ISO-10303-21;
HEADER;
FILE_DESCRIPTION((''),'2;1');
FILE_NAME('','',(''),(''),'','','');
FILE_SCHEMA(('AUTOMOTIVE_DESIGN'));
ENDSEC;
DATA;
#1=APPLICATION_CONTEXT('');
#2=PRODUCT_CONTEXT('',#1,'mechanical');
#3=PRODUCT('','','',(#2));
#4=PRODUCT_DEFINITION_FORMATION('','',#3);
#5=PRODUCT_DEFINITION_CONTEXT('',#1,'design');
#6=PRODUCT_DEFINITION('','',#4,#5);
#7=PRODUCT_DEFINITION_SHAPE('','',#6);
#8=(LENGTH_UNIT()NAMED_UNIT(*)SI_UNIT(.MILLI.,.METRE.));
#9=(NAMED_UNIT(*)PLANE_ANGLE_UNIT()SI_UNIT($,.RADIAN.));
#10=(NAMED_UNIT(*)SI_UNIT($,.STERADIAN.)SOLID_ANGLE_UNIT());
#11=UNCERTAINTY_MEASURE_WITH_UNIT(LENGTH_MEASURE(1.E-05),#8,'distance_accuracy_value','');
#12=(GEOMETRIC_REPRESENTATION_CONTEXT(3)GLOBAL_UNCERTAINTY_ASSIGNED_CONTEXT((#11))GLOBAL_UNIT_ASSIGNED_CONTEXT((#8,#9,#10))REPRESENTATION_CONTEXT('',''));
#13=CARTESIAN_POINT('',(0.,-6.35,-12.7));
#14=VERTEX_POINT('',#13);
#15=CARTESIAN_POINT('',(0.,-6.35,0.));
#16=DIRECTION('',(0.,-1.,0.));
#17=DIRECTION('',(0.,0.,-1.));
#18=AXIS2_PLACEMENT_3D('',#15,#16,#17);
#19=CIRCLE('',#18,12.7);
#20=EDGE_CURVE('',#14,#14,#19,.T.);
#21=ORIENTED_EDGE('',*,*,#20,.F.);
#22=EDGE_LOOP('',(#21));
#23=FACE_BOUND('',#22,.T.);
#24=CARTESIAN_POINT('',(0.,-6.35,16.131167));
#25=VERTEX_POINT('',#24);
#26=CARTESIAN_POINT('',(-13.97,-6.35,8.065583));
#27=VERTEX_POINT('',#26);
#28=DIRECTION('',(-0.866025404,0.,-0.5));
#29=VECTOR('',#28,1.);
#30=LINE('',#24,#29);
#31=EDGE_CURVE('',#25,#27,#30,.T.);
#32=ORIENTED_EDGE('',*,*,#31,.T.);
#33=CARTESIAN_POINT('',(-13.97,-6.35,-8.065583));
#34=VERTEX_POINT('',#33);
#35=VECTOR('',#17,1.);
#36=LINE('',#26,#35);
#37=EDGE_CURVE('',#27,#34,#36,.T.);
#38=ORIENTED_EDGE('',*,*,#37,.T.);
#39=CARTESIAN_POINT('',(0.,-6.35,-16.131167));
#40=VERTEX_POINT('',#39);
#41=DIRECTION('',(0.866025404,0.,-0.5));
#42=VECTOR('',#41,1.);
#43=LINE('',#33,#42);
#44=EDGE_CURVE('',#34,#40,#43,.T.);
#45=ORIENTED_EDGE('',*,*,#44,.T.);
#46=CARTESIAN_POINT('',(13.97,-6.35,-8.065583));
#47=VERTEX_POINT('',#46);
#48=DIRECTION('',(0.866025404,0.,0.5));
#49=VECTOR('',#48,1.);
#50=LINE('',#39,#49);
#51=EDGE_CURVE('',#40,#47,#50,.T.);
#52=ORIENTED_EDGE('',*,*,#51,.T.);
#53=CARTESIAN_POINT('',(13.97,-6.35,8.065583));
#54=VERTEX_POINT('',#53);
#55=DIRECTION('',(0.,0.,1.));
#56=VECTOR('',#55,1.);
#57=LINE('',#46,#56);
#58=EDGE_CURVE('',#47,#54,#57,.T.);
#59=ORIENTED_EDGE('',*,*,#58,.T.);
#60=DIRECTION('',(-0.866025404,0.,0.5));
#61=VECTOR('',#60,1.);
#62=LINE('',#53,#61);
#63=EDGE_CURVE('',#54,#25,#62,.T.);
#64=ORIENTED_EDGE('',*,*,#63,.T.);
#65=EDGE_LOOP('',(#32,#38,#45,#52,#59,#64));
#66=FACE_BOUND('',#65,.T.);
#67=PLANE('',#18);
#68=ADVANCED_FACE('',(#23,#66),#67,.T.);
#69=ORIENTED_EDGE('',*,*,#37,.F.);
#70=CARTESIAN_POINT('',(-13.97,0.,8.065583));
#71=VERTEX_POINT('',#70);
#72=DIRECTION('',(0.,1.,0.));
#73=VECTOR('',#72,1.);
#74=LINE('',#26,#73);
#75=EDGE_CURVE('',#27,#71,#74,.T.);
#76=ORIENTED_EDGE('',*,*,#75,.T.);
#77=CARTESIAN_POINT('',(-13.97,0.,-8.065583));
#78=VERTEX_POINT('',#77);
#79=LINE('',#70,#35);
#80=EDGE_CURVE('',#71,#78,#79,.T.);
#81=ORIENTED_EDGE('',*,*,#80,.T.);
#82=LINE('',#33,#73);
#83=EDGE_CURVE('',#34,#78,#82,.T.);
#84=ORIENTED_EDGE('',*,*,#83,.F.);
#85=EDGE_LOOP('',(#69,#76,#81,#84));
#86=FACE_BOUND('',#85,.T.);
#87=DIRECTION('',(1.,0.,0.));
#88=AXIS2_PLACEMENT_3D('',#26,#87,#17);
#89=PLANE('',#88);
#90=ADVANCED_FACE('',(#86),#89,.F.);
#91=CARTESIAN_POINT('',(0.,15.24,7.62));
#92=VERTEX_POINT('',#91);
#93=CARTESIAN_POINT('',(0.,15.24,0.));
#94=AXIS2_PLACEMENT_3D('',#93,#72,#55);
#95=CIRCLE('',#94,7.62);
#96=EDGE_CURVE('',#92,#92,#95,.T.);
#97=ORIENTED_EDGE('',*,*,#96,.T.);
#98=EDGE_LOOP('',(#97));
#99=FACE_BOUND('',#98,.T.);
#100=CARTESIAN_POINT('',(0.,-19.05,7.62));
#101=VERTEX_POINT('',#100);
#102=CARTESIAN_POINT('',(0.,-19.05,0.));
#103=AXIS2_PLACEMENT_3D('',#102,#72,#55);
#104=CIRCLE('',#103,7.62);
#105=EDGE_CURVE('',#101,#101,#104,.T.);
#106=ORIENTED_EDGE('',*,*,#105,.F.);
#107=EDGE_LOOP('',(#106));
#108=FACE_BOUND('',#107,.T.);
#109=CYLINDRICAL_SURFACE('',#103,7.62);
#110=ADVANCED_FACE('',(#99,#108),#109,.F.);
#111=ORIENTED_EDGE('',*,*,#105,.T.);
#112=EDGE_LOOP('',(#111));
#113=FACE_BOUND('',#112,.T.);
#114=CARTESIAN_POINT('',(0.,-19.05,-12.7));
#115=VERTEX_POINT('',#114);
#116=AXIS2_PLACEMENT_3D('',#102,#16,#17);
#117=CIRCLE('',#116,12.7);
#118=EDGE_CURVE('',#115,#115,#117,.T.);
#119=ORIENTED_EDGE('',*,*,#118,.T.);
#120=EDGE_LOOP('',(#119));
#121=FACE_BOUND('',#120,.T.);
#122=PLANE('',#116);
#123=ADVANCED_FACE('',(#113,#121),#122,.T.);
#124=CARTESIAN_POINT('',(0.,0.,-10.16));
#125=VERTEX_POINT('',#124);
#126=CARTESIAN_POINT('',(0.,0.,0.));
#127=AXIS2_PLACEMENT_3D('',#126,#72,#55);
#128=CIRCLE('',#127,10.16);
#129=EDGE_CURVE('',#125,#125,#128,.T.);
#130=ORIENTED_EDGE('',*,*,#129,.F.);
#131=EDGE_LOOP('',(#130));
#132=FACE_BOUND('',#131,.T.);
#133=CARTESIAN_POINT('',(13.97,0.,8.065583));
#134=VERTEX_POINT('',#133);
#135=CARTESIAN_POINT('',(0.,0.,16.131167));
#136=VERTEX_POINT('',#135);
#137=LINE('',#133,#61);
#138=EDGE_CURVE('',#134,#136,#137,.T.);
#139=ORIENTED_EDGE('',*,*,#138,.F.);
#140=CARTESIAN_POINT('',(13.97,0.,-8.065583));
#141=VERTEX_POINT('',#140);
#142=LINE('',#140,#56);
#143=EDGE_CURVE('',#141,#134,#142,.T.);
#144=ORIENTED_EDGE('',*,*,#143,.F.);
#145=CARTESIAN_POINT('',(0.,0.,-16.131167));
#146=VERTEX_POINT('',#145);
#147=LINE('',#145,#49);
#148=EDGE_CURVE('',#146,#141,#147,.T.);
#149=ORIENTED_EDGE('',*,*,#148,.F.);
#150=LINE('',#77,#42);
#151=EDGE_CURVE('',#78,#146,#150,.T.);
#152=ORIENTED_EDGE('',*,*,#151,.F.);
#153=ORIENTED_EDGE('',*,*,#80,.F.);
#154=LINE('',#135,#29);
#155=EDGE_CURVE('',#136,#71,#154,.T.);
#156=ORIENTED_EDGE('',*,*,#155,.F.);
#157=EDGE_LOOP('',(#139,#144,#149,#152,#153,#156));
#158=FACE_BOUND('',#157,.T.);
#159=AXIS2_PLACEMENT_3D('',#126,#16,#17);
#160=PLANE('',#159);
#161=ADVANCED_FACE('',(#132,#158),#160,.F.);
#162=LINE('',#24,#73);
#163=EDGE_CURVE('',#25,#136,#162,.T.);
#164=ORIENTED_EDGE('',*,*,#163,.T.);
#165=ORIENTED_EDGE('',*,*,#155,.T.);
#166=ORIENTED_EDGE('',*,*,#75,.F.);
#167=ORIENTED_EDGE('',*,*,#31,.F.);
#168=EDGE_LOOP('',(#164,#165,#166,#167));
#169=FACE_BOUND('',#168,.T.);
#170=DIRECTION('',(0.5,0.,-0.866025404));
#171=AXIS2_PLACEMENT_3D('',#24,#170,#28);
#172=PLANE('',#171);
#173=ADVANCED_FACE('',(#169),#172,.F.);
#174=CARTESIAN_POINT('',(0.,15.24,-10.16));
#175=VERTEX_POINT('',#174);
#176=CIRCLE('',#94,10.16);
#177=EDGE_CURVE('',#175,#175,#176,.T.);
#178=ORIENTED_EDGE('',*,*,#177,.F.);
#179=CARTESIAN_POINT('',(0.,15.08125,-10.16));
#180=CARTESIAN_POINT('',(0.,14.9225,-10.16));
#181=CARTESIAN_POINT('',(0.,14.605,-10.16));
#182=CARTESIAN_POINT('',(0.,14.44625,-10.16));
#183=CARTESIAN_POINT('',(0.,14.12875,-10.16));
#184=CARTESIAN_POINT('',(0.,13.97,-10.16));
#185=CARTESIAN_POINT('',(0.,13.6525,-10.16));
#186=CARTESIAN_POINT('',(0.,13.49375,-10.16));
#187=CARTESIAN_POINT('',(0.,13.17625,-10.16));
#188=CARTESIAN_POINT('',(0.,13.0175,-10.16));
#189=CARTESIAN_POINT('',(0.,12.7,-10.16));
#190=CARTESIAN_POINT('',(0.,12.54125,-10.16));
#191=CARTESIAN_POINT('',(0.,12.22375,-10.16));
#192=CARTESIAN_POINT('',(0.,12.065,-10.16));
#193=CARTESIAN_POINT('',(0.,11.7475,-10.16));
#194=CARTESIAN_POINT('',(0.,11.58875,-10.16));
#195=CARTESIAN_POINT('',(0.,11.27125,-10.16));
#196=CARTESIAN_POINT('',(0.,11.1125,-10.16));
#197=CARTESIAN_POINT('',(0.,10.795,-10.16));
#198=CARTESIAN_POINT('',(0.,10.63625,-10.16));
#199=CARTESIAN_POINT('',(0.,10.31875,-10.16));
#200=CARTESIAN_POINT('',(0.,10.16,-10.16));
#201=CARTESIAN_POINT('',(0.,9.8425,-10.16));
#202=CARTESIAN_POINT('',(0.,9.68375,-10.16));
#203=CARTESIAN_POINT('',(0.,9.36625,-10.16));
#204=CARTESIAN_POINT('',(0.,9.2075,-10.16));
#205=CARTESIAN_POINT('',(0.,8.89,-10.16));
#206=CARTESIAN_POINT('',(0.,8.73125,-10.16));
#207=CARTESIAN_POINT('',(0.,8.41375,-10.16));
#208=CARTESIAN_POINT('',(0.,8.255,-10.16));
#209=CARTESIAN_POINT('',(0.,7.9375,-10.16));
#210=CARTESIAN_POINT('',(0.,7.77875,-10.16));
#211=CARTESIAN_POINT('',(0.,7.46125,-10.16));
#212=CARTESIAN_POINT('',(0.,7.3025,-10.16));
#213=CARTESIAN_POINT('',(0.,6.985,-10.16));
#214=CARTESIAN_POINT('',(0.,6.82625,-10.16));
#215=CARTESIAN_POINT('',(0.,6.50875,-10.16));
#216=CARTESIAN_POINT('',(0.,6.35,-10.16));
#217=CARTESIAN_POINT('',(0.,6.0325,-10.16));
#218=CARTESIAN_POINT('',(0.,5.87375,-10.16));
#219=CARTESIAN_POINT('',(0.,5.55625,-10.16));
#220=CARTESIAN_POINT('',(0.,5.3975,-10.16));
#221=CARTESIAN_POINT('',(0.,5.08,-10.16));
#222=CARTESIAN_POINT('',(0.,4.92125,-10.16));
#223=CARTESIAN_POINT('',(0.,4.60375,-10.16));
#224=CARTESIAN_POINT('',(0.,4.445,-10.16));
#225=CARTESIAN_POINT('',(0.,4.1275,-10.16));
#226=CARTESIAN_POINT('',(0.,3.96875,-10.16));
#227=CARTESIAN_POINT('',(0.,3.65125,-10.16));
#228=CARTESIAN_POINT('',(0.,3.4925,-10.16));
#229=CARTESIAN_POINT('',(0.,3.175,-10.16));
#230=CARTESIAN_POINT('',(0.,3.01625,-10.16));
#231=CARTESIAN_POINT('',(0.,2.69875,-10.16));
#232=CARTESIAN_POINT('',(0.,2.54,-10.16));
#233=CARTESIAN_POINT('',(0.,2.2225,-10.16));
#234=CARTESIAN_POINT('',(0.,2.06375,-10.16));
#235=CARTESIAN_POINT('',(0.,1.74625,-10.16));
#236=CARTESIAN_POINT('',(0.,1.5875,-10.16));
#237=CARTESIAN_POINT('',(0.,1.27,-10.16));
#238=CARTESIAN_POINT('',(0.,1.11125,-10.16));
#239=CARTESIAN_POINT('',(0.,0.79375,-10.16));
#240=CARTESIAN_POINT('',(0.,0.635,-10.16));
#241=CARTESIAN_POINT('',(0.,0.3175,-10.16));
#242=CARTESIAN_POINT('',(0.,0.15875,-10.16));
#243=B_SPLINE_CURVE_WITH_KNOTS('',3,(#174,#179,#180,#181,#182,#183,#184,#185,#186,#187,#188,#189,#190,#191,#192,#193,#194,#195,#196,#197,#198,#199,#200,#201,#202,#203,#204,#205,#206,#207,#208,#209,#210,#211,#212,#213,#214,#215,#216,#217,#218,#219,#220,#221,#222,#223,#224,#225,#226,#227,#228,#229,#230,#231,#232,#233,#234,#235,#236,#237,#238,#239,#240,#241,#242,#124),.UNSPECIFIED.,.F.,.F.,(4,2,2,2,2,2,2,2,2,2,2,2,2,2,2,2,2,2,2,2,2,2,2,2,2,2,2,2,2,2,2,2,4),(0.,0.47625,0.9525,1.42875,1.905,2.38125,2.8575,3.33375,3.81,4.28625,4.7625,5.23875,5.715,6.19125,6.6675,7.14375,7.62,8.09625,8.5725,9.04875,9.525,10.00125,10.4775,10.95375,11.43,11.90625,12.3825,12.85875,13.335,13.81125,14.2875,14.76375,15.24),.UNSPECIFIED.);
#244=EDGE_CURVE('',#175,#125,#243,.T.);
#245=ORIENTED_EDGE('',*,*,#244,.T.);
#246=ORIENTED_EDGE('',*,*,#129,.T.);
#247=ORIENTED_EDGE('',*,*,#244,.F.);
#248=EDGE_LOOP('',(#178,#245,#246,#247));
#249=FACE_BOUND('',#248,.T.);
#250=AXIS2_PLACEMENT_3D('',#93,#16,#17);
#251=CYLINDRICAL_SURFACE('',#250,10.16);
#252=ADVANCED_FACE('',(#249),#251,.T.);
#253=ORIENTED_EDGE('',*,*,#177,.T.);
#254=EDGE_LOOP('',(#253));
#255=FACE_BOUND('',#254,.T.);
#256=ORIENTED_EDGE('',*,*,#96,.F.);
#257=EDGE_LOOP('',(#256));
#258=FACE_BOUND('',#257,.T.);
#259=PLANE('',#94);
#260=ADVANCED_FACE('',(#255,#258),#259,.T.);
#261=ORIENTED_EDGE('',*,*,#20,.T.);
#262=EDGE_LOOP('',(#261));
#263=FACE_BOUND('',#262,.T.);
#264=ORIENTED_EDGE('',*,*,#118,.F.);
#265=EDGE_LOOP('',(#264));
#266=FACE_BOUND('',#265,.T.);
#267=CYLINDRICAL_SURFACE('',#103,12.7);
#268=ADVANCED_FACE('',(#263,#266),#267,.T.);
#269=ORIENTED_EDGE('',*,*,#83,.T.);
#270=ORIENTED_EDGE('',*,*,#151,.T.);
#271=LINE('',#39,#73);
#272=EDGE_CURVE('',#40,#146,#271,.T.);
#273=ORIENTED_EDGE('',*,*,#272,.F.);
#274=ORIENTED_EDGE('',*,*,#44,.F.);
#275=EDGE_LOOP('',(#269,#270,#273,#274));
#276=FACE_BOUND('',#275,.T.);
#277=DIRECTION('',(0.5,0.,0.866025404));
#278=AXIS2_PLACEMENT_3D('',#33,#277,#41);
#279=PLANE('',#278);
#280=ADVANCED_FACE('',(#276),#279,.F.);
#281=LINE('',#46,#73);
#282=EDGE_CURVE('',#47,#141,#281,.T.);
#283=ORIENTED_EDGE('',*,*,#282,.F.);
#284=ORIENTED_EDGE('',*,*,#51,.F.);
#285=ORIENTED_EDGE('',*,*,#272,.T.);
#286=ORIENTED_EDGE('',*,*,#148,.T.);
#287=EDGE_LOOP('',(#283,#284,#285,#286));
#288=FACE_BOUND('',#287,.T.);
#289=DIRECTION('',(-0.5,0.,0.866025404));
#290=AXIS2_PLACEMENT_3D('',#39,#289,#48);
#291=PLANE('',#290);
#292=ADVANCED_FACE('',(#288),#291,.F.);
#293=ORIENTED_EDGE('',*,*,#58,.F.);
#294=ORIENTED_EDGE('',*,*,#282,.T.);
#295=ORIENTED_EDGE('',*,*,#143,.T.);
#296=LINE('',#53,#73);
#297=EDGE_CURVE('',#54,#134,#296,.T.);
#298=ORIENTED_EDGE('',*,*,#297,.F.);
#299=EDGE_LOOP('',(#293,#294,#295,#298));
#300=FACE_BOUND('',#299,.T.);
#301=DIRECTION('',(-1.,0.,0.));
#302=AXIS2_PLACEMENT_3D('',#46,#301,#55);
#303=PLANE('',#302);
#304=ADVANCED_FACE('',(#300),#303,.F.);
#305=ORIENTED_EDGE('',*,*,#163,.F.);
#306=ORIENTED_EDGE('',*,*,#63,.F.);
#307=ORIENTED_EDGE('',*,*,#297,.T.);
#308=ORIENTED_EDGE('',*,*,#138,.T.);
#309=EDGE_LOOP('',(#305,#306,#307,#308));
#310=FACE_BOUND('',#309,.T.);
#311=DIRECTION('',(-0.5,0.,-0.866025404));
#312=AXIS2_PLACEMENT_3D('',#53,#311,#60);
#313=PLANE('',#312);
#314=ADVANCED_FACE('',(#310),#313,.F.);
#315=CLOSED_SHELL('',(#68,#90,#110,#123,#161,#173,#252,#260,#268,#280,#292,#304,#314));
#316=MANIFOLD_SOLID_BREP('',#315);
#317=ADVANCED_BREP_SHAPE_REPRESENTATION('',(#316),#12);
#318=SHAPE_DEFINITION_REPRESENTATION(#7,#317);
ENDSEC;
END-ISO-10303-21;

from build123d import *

# Parameters (mm, degrees)
SKETCH1_R           = 10.16
BOSS_EXTRUDE1_DEPTH = 15.24
BOSS_EXTRUDE2_DEPTH = 6.35
SKETCH3_R           = 12.7
BOSS_EXTRUDE3_DEPTH = 12.7
SKETCH4_R           = 7.62
CUT_EXTRUDE1_DEPTH  = 41.387863689


with BuildPart() as part:
    # Sketch1 → Boss-Extrude1 (new body)
    with BuildSketch(Plane(origin=(0, 0, 0), x_dir=(1, 0, 0), z_dir=(0, 1, 0))):
        with Locations(Location((0, 0, 0), (0, 0, 90))):
            Circle(SKETCH1_R)
    extrude(amount=BOSS_EXTRUDE1_DEPTH)

    # Sketch2 → Boss-Extrude2 (add)
    with BuildSketch(Plane.XZ):
        Polygon((-13.97, -8.065583261), (0, -16.131166521), (13.97, -8.065583261), (13.97, 8.065583261), (0, 16.131166521), (-13.97, 8.065583261), align=None)
    extrude(amount=BOSS_EXTRUDE2_DEPTH)

    # Sketch3 → Boss-Extrude3 (add)
    with BuildSketch(Plane.XZ.offset(6.35)):
        with Locations(Location((0, 0, 0), (0, 0, 270))):
            Circle(SKETCH3_R)
    extrude(amount=BOSS_EXTRUDE3_DEPTH)

    # Sketch4 → Cut-Extrude1 (cut, through all)
    with BuildSketch(Plane(origin=(0, 15.24, 0), x_dir=(1, 0, 0), z_dir=(0, 1, 0))):
        with Locations(Location((0, 0, 0), (0, 0, 270))):
            Circle(SKETCH4_R)
    extrude(amount=-CUT_EXTRUDE1_DEPTH, mode=Mode.SUBTRACT)


solid = part.part
